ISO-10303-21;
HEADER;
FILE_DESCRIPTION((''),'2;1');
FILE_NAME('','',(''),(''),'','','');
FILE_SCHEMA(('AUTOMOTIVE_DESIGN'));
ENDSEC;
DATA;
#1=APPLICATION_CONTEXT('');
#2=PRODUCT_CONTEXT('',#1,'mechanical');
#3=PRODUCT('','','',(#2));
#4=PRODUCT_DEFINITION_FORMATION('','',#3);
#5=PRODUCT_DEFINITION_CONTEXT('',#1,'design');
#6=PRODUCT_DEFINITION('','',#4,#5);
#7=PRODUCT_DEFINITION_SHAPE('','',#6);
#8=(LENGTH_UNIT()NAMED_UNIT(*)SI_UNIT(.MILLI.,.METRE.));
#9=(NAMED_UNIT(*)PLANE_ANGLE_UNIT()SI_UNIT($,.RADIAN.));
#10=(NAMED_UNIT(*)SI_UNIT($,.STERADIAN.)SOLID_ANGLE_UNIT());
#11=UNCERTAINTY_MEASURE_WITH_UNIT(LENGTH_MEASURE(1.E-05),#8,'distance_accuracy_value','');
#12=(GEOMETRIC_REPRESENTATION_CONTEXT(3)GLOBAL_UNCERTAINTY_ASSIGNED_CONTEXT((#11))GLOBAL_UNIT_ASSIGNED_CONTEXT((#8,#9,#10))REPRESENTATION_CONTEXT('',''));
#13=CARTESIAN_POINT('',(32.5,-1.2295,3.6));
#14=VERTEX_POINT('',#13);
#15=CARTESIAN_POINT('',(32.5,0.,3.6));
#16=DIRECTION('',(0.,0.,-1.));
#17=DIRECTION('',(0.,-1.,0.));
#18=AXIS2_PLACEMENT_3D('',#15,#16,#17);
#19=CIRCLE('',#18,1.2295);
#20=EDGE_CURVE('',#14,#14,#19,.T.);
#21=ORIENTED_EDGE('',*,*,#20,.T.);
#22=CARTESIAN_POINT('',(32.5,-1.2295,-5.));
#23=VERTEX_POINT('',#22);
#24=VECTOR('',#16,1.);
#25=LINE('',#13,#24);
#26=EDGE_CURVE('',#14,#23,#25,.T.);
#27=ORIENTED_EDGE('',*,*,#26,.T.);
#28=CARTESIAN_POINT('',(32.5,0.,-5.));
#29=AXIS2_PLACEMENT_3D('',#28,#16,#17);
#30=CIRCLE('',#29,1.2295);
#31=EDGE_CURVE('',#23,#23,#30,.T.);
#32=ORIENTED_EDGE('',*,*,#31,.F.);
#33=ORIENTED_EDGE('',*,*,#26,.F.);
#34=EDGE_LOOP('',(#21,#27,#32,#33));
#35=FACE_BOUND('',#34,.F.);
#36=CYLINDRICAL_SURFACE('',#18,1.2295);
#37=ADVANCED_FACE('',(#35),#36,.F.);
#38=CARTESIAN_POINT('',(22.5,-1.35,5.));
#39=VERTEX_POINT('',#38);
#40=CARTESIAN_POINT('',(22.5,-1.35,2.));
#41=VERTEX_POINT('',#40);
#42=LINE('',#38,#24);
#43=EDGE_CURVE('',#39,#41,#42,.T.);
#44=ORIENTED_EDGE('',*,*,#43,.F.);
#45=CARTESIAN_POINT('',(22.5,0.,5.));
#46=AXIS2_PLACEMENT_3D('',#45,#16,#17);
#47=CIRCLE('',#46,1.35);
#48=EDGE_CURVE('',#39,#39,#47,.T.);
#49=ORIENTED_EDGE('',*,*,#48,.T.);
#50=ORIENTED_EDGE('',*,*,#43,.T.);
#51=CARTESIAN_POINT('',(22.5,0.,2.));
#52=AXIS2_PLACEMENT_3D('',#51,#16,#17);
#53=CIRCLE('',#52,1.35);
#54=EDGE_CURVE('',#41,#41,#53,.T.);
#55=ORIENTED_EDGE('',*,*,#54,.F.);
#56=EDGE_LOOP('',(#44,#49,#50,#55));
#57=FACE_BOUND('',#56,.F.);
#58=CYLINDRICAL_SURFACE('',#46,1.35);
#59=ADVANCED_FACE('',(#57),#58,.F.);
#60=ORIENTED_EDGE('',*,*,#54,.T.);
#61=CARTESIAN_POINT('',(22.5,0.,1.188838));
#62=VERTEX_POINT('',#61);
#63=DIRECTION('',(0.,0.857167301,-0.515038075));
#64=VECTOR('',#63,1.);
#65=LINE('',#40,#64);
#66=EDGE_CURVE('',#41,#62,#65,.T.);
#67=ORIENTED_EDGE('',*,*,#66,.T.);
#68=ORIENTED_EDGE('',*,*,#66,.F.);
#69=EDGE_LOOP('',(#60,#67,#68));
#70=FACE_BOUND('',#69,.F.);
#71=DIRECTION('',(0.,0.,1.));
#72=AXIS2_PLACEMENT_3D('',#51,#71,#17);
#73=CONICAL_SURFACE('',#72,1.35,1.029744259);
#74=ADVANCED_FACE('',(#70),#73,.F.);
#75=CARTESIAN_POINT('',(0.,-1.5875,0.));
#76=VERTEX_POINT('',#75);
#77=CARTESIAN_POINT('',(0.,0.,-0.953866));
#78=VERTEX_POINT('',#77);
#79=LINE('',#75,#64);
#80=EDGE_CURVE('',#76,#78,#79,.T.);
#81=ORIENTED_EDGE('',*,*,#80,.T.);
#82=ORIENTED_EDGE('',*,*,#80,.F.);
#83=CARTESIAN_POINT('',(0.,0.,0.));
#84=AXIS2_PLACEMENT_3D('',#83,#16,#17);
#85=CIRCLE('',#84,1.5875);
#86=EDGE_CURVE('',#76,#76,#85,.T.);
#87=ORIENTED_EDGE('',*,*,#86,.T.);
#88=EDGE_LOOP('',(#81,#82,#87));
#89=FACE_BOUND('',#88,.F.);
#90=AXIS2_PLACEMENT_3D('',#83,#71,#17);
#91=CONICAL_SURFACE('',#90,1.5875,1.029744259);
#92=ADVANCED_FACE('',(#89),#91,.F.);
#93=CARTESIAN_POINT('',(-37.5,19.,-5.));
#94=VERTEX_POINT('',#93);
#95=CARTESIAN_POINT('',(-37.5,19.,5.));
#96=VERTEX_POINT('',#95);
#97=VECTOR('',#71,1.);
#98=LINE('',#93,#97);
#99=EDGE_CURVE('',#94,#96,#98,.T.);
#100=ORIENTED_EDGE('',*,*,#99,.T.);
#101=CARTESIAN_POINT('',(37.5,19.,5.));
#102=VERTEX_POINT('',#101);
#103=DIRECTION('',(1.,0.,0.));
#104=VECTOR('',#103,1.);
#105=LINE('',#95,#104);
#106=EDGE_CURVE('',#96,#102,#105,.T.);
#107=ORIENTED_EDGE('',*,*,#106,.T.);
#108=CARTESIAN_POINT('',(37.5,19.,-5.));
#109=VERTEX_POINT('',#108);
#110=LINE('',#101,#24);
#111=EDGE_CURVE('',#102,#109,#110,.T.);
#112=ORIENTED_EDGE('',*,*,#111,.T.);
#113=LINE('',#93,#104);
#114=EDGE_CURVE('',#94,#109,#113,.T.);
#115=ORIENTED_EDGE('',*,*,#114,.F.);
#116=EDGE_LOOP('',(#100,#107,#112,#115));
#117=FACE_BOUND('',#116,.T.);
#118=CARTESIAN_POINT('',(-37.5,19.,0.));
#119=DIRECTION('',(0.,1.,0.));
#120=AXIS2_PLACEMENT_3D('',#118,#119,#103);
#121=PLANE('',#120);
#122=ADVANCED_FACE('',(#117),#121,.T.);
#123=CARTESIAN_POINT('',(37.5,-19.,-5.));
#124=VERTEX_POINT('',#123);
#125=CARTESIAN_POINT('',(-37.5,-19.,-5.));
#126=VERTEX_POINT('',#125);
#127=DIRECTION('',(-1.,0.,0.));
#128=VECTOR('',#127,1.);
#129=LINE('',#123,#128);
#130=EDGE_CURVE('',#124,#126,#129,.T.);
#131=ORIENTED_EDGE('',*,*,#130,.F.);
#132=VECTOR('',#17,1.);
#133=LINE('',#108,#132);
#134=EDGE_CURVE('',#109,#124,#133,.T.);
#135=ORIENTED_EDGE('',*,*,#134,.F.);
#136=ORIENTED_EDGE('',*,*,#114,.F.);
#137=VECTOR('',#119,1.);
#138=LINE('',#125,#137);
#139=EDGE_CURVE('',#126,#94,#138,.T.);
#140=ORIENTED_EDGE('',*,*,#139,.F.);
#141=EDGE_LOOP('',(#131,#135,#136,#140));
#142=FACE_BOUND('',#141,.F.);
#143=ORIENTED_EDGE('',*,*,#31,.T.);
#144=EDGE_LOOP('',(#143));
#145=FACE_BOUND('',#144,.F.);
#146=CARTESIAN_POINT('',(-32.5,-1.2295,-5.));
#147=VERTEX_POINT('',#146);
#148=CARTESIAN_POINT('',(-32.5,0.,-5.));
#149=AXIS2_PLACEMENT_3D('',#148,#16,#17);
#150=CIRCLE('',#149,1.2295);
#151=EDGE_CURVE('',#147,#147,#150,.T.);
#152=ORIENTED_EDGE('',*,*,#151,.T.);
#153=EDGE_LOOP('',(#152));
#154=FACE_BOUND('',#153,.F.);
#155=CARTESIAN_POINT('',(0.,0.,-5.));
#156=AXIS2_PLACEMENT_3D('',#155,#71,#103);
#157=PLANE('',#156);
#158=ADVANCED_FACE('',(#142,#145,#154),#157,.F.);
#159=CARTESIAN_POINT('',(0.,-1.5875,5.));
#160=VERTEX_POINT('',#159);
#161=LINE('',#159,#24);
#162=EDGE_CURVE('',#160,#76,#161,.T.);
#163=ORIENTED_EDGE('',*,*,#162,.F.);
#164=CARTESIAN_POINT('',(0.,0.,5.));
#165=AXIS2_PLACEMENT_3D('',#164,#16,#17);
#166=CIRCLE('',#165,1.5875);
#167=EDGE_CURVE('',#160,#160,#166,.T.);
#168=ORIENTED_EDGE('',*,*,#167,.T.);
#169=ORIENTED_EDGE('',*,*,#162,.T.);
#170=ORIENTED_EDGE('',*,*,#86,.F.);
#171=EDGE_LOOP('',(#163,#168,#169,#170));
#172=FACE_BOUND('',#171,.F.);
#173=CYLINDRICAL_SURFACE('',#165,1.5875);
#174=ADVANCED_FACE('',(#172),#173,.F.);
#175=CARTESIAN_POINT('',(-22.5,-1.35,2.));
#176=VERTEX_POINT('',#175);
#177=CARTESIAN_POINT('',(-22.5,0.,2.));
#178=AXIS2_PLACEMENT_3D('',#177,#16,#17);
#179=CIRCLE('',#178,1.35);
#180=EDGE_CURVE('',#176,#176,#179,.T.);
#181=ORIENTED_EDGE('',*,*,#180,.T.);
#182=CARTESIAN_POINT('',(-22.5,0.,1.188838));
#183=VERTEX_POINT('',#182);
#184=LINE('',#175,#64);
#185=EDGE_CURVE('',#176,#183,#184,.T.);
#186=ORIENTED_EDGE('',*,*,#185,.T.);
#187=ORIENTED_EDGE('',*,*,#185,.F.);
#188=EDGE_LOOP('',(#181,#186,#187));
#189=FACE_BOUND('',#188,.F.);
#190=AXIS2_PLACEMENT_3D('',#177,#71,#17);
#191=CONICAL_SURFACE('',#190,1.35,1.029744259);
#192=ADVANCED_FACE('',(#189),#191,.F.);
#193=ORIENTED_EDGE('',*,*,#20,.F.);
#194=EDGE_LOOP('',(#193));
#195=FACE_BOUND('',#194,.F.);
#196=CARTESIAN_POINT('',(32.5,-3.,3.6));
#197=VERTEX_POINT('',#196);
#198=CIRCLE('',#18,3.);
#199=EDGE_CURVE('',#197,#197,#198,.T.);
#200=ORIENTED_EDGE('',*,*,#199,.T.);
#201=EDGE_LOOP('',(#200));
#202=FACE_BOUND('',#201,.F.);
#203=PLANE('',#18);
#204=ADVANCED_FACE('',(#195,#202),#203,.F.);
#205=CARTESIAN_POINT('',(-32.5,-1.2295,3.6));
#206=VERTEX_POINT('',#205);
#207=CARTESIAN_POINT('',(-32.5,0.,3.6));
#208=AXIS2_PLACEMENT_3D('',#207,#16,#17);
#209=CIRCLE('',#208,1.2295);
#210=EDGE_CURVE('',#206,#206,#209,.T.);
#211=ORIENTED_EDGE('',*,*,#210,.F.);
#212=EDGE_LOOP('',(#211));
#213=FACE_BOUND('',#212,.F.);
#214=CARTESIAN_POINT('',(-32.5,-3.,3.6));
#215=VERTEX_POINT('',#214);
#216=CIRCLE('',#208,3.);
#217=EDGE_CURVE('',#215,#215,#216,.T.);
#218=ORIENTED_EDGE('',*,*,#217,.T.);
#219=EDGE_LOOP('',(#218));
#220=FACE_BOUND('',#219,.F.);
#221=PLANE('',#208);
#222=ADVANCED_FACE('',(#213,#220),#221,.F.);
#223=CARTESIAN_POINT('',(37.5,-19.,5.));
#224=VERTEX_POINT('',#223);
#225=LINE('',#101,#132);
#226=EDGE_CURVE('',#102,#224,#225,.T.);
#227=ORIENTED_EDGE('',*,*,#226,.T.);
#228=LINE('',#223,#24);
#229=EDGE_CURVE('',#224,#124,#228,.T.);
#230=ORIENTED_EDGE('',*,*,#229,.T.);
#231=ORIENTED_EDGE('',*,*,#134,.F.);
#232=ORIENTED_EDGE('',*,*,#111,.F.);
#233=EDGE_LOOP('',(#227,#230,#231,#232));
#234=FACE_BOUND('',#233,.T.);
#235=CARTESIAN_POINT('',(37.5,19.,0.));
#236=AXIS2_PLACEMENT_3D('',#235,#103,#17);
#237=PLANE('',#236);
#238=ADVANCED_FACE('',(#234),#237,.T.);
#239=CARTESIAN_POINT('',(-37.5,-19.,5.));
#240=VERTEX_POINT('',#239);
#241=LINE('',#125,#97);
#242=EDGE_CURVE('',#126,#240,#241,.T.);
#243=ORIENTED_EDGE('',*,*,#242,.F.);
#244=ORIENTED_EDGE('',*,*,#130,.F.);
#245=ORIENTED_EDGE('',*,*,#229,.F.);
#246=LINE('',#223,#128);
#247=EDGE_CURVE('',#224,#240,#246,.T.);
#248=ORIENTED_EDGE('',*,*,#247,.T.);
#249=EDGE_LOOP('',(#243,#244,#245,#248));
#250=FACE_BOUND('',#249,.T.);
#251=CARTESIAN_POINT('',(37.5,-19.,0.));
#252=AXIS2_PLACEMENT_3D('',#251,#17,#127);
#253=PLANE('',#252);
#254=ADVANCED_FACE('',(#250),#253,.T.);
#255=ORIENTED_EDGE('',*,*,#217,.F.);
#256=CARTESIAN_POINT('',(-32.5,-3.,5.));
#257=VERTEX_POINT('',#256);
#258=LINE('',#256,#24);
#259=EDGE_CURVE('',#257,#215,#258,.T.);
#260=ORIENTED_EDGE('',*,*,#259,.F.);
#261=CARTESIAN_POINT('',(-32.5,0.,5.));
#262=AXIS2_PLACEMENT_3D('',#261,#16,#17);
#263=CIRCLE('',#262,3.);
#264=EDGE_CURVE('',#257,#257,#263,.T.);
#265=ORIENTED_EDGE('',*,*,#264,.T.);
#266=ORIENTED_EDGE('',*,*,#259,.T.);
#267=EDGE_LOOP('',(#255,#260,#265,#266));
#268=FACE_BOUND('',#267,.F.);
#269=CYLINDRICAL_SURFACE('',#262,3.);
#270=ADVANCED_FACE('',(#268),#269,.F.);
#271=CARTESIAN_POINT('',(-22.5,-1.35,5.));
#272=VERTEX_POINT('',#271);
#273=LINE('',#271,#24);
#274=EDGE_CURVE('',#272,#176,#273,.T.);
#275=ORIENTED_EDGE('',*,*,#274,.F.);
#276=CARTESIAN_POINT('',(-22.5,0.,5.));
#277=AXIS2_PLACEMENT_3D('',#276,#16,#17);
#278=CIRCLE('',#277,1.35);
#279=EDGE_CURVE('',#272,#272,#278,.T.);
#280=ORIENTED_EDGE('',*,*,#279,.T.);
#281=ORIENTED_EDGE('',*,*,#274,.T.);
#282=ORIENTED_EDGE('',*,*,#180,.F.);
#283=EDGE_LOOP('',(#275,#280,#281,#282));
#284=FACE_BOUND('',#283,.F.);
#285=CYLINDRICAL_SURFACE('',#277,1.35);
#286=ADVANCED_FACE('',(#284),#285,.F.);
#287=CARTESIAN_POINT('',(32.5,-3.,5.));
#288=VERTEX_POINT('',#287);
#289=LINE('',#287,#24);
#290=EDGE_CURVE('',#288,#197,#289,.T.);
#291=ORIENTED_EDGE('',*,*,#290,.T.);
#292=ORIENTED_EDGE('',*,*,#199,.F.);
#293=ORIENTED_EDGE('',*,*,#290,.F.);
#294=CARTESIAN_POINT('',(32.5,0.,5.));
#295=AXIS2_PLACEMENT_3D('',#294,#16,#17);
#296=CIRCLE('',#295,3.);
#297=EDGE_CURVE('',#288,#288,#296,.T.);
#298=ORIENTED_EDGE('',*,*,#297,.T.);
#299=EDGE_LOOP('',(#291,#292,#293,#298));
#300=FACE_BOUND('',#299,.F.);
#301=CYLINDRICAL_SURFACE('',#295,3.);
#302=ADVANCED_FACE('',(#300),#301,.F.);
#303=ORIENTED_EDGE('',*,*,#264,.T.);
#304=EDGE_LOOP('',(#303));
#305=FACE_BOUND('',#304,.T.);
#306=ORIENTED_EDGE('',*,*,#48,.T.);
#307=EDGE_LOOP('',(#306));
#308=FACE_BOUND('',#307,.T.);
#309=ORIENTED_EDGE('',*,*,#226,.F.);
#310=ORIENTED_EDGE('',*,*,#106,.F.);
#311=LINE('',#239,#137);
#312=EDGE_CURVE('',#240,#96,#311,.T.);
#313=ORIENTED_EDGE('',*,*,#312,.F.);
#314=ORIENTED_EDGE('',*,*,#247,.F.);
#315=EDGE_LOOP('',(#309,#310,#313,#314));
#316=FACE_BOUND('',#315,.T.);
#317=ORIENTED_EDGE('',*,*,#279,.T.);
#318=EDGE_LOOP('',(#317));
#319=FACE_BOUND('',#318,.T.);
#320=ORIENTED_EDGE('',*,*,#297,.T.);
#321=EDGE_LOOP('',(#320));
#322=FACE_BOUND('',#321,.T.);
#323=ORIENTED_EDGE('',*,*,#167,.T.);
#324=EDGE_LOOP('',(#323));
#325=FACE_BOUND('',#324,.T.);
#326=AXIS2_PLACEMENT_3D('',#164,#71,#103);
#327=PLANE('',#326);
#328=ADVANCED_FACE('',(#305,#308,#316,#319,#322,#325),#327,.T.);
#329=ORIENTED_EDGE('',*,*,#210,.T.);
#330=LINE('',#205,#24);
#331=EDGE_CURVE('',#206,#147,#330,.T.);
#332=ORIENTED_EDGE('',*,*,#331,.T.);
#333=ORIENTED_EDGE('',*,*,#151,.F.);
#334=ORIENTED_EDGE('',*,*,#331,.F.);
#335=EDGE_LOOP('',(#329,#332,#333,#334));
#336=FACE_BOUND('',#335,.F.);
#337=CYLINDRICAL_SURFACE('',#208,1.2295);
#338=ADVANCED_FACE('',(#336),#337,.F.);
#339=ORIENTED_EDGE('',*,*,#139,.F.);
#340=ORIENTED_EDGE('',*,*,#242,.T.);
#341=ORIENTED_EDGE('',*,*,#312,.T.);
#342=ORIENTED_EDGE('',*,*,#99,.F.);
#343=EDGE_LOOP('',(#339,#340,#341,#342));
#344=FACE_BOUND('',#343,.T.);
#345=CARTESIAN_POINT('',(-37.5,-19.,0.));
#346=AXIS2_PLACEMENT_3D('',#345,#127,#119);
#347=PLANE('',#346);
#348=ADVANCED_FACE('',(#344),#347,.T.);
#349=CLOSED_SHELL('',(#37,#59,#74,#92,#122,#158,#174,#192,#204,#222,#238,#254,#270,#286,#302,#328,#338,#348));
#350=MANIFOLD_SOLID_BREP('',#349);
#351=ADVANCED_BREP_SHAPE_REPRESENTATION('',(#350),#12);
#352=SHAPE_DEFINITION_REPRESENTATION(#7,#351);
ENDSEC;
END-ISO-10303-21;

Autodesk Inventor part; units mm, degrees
ref_plane "YZ Plane" through (0, 0, 0) normal (1, 0, 0) x (0, 1, 0)
ref_plane "XZ Plane" through (0, 0, 0) normal (0, 1, 0) x (-1, 0, 0)
ref_plane "XY Plane" through (0, 0, 0) normal (0, 0, 1) x (1, 0, 0)
sketch "Sketch1" plane through (0, 0, 0) normal (0, 0, 1) x (1, 0, 0)
  line L0 (-37.5, 19) -> (37.5, 19)
  line L1 (37.5, 19) -> (37.5, -19)
  line L2 (37.5, -19) -> (-37.5, -19)
  line L3 (-37.5, -19) -> (-37.5, 19)
  line L4 (-37.5, 19) -> (37.5, -19) construction
  line L5 (37.5, 19) -> (-37.5, -19) construction
  point P0 (0, 0)
  dimension "d2" = 38
  dimension "d3" = 75
extrude "Extrusion1" add sketch "Sketch1" along normal mid plane 10
sketch "Sketch3" plane through (0, 0, 5) normal (0, 0, 1) x (1, 0, 0)
  point P0 (0, 0)
  point P1 (0, 0)
hole "Hole2" at (0, 0, 5) direction (0, 0, -1) diameter 3.175 depth 5 tip angle 118
sketch "Sketch4" plane through (0, 0, 5) normal (0, 0, 1) x (1, 0, 0)
  line L0 (-37.5, 19) -> (-37.5, -19) projected
  circle A0 centre (0, 0) radius 1.5875 projected
  line L1 (-37.5, -19) -> (37.5, -19) projected
  line L2 (37.5, -19) -> (37.5, 19) projected
  line L3 (37.5, 19) -> (-37.5, 19) projected
  line L4 (-37.5, 19) -> (-37.5, -19) projected
  point P0 (-32.5, 0)
  point P1 (32.5, 0)
  dimension "d76" = 5
  dimension "d79" = 65
hole "Hole3" at (-32.5, 0, 5) at (32.5, 0, 5) direction (0, 0, -1) diameter 2.459 end through all counterbore diameter 6 counterbore depth 1.4 thread size "M3x0.5" class "6H" standard "ANSI Metric M Profile"
sketch "Sketch5" plane through (0, 0, 5) normal (0, 0, 1) x (1, 0, 0)
  point P0 (0, 0)
  point P1 (-22.5, 0)
  point P2 (22.5, 0)
  dimension "d95" = 22.5
  dimension "d96" = 22.5
hole "Hole4" at (-22.5, 0, 5) at (22.5, 0, 5) direction (0, 0, -1) diameter 2.7 depth 3 tip angle 118
properties part number "baseblock"
